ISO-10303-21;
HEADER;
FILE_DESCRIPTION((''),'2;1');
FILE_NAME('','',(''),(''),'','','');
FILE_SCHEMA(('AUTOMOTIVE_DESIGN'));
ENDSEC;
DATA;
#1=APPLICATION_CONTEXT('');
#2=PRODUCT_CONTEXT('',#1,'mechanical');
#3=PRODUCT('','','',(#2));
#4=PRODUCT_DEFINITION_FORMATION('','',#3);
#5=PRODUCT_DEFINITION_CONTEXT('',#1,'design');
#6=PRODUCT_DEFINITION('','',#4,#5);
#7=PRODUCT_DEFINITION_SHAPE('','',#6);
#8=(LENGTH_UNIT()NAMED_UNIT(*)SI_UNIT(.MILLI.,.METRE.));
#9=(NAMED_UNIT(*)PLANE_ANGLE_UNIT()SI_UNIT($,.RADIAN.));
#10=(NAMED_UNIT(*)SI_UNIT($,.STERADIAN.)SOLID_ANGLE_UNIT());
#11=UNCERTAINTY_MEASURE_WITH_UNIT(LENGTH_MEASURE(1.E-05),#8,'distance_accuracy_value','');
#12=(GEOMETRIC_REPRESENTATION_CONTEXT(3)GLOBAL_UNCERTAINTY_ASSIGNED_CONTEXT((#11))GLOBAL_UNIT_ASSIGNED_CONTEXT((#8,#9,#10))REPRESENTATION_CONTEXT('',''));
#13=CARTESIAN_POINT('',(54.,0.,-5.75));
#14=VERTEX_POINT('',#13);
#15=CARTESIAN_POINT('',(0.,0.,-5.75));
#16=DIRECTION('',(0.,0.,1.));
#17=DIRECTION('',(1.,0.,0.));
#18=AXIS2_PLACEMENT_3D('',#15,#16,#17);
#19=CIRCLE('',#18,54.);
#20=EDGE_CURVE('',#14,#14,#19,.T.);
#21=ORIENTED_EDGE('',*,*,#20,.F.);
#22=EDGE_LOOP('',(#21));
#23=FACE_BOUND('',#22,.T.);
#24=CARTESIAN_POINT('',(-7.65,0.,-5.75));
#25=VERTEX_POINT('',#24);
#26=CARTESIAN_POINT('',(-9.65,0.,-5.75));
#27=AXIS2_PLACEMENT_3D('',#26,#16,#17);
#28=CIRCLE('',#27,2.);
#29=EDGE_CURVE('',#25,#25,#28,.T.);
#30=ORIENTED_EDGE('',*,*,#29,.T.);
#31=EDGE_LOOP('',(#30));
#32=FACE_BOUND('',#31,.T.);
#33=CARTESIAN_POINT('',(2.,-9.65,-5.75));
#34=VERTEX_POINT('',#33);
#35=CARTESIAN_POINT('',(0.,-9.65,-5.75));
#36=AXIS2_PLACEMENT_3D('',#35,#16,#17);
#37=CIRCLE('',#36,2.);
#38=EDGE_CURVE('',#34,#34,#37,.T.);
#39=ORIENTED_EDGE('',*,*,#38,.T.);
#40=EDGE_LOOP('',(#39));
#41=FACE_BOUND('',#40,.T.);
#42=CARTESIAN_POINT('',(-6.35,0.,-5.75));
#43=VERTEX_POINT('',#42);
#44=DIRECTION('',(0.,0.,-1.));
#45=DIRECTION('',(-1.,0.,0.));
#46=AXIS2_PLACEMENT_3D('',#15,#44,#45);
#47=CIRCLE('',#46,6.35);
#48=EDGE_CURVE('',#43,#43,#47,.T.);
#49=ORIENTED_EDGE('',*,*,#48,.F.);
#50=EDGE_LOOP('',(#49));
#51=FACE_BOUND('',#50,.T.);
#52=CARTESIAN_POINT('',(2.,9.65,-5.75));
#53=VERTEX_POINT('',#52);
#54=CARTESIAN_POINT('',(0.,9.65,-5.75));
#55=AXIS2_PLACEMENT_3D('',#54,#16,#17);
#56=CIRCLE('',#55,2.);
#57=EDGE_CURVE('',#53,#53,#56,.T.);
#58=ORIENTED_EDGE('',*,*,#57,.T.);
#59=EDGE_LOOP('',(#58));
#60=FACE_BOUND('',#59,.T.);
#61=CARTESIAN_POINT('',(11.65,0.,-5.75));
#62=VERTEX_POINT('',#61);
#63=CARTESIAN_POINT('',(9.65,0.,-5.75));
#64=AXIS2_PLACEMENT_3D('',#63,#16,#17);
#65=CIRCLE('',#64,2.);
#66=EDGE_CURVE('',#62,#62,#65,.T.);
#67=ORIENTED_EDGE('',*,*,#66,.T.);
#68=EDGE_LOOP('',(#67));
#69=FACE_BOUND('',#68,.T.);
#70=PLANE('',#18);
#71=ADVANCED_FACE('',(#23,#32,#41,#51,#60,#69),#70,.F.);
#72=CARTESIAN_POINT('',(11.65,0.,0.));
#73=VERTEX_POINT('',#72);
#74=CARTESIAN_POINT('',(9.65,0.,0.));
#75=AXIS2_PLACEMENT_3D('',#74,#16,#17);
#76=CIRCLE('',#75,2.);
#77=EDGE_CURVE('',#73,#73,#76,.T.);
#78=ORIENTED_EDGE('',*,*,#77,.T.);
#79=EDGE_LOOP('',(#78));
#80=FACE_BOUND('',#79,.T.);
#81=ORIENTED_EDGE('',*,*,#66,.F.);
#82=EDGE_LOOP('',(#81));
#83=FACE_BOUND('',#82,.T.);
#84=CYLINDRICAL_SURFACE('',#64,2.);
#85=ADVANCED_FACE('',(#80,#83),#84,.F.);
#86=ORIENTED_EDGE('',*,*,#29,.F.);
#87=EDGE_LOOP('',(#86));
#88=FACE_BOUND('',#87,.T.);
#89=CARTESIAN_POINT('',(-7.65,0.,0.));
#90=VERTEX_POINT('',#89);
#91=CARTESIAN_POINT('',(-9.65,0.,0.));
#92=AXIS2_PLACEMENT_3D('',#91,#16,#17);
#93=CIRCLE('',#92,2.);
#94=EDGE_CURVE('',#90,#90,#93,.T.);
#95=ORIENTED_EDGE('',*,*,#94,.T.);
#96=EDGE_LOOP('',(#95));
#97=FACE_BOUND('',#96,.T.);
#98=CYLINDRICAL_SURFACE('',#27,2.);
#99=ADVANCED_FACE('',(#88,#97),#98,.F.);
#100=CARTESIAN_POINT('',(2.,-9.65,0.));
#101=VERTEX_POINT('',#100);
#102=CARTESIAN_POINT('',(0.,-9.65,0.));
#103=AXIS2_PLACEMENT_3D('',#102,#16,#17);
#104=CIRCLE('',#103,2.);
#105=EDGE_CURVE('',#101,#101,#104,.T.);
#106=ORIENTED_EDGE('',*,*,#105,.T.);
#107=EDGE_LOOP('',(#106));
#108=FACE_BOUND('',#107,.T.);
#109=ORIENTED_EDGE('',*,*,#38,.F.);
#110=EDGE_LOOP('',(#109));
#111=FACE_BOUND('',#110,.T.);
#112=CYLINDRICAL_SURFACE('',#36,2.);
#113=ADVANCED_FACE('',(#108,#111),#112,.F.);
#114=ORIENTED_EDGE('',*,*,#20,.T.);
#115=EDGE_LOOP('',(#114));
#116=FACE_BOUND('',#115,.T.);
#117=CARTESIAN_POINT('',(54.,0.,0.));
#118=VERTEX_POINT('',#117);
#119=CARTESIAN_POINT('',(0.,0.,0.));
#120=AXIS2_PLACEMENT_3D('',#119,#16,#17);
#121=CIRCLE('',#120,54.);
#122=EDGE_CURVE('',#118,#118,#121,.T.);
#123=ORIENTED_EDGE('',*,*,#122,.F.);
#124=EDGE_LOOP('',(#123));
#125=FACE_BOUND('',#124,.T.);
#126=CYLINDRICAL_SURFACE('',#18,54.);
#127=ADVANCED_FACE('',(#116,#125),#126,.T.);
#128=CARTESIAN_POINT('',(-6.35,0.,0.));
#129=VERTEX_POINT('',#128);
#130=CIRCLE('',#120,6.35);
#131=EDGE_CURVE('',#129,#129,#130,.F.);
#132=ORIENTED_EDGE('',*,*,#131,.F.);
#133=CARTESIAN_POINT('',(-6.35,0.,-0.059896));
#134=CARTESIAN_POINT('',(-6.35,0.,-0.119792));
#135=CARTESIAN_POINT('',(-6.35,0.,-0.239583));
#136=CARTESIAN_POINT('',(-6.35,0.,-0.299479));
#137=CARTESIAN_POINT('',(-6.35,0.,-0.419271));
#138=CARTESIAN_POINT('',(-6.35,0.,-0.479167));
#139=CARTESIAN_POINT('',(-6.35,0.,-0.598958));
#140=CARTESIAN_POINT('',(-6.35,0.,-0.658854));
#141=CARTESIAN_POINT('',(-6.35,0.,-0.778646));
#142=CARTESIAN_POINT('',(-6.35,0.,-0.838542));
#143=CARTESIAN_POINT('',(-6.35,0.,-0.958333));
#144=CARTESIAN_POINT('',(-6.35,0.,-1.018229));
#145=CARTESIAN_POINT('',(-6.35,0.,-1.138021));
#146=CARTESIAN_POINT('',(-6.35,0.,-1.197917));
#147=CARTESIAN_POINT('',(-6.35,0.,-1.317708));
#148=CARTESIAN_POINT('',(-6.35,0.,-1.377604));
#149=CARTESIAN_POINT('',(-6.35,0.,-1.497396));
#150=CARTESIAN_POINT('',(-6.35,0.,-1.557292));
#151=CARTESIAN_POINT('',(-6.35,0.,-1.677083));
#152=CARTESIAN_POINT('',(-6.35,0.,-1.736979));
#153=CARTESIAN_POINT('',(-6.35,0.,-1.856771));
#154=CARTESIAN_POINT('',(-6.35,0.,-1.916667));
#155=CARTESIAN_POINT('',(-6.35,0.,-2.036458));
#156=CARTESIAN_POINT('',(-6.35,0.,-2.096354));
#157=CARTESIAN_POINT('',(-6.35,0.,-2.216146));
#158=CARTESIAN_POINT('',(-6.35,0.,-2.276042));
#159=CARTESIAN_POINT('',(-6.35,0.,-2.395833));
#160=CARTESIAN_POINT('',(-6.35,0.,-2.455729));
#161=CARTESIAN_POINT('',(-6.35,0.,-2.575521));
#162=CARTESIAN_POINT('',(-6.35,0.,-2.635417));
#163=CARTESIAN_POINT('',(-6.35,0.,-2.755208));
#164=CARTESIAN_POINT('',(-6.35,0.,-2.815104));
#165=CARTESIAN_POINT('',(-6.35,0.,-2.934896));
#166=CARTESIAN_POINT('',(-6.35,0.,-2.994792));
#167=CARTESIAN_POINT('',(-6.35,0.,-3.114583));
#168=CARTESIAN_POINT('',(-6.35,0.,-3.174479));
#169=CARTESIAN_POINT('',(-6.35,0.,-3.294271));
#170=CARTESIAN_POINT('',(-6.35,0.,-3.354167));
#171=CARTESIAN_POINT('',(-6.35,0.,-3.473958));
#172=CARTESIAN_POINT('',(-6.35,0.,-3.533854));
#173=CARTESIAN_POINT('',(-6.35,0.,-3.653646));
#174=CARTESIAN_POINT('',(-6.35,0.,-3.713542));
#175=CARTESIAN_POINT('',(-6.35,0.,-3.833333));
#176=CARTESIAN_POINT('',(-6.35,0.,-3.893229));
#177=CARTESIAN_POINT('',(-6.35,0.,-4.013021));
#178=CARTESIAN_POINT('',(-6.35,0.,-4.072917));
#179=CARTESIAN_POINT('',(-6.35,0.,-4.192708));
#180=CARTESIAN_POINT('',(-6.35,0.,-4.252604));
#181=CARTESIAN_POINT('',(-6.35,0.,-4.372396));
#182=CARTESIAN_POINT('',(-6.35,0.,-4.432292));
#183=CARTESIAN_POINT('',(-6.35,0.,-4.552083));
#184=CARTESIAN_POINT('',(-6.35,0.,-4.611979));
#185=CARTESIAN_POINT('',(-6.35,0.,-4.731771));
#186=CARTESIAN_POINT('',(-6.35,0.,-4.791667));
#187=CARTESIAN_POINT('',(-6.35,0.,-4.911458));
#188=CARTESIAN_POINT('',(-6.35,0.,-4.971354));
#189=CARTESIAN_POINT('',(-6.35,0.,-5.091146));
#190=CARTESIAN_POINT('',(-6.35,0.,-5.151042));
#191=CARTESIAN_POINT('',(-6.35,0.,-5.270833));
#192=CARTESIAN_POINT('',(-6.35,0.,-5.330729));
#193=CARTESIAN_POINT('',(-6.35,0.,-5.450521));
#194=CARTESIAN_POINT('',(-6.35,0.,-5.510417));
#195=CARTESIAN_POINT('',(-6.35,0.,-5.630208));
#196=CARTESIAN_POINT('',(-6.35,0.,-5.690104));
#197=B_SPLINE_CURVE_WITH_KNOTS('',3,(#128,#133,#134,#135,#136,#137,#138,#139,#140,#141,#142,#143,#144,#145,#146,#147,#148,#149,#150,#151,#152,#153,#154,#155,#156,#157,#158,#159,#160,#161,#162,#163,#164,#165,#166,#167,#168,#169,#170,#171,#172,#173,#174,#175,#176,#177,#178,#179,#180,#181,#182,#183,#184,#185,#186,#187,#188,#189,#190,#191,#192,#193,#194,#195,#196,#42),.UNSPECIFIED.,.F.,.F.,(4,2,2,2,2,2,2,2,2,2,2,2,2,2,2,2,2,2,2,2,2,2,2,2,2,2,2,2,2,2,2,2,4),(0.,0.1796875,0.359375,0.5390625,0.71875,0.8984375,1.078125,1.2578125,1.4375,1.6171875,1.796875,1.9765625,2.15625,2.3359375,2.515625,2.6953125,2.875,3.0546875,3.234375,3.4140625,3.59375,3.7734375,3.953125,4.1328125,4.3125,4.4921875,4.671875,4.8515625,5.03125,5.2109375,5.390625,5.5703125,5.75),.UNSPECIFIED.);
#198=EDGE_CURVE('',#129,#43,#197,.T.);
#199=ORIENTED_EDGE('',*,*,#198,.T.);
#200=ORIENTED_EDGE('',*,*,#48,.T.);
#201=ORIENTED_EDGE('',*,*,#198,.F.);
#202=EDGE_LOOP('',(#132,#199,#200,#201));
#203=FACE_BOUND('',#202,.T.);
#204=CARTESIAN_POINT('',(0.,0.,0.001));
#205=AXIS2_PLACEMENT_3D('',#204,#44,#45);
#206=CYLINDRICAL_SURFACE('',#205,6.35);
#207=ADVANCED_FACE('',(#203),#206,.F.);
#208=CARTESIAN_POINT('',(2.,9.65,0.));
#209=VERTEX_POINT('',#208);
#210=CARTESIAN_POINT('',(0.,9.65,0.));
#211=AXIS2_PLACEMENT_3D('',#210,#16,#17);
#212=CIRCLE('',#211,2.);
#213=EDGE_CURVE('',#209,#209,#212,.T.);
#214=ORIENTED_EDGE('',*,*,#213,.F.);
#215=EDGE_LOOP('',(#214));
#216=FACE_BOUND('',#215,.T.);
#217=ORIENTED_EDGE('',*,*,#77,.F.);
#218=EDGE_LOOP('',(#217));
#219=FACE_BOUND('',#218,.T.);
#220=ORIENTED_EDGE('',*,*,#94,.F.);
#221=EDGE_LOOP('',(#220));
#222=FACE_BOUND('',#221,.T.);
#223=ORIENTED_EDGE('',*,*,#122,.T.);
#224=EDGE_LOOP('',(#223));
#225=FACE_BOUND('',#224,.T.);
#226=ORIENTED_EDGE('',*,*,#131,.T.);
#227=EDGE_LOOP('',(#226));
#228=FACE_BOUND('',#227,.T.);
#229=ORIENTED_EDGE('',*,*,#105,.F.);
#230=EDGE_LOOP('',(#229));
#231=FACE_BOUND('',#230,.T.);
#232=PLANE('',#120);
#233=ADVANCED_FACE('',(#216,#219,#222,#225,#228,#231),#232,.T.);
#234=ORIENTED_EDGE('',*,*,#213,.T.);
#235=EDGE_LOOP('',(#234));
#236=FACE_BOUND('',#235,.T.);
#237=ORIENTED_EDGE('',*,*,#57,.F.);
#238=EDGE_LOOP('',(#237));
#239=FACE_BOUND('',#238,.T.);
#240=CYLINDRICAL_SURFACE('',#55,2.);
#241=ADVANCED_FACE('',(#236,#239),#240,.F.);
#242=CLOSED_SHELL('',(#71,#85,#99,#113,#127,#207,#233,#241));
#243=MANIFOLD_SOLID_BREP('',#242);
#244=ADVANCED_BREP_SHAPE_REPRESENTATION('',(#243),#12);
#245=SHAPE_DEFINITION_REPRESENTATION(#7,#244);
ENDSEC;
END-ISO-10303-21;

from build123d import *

# Parameters (mm, degrees)
ESQUISSE1_R        = 54
ESQUISSE1_R_2      = 2
ESQUISSE1_R_3      = 3.175
BOSS_EXTRU_1_DEPTH = 5.75
CUT_EXTRUDE1_REACH = 78.584
SKETCH1_R          = 6.35


with BuildPart() as part:
    # Esquisse1 → Boss.-Extru.1 (new body)
    with BuildSketch(Plane.XY):
        Circle(ESQUISSE1_R)
        with Locations((0, -9.65)):
            Circle(ESQUISSE1_R_2, mode=Mode.SUBTRACT)
        with Locations((0, 9.65)):
            Circle(ESQUISSE1_R_2, mode=Mode.SUBTRACT)
        with Locations((-9.65, 0)):
            Circle(ESQUISSE1_R_2, mode=Mode.SUBTRACT)
        with Locations((9.65, 0)):
            Circle(ESQUISSE1_R_2, mode=Mode.SUBTRACT)
        Circle(ESQUISSE1_R_3, mode=Mode.SUBTRACT)
    extrude(amount=-BOSS_EXTRU_1_DEPTH)

    # Sketch1 → Cut-Extrude1 (cut, up to next)
    with BuildSketch(Plane(origin=(0, 0, -5.75), x_dir=(-1, 0, 0), z_dir=(0, 0, -1)), mode=Mode.PRIVATE) as cut_extrude1_sk1:
        Circle(SKETCH1_R)
    cut_extrude1_tool1 = extrude(cut_extrude1_sk1.sketch, amount=-CUT_EXTRUDE1_REACH, mode=Mode.PRIVATE) & part.part
    add(cut_extrude1_tool1.solids().sort_by_distance((0, 0, -5.75))[0], mode=Mode.SUBTRACT)


solid = part.part
